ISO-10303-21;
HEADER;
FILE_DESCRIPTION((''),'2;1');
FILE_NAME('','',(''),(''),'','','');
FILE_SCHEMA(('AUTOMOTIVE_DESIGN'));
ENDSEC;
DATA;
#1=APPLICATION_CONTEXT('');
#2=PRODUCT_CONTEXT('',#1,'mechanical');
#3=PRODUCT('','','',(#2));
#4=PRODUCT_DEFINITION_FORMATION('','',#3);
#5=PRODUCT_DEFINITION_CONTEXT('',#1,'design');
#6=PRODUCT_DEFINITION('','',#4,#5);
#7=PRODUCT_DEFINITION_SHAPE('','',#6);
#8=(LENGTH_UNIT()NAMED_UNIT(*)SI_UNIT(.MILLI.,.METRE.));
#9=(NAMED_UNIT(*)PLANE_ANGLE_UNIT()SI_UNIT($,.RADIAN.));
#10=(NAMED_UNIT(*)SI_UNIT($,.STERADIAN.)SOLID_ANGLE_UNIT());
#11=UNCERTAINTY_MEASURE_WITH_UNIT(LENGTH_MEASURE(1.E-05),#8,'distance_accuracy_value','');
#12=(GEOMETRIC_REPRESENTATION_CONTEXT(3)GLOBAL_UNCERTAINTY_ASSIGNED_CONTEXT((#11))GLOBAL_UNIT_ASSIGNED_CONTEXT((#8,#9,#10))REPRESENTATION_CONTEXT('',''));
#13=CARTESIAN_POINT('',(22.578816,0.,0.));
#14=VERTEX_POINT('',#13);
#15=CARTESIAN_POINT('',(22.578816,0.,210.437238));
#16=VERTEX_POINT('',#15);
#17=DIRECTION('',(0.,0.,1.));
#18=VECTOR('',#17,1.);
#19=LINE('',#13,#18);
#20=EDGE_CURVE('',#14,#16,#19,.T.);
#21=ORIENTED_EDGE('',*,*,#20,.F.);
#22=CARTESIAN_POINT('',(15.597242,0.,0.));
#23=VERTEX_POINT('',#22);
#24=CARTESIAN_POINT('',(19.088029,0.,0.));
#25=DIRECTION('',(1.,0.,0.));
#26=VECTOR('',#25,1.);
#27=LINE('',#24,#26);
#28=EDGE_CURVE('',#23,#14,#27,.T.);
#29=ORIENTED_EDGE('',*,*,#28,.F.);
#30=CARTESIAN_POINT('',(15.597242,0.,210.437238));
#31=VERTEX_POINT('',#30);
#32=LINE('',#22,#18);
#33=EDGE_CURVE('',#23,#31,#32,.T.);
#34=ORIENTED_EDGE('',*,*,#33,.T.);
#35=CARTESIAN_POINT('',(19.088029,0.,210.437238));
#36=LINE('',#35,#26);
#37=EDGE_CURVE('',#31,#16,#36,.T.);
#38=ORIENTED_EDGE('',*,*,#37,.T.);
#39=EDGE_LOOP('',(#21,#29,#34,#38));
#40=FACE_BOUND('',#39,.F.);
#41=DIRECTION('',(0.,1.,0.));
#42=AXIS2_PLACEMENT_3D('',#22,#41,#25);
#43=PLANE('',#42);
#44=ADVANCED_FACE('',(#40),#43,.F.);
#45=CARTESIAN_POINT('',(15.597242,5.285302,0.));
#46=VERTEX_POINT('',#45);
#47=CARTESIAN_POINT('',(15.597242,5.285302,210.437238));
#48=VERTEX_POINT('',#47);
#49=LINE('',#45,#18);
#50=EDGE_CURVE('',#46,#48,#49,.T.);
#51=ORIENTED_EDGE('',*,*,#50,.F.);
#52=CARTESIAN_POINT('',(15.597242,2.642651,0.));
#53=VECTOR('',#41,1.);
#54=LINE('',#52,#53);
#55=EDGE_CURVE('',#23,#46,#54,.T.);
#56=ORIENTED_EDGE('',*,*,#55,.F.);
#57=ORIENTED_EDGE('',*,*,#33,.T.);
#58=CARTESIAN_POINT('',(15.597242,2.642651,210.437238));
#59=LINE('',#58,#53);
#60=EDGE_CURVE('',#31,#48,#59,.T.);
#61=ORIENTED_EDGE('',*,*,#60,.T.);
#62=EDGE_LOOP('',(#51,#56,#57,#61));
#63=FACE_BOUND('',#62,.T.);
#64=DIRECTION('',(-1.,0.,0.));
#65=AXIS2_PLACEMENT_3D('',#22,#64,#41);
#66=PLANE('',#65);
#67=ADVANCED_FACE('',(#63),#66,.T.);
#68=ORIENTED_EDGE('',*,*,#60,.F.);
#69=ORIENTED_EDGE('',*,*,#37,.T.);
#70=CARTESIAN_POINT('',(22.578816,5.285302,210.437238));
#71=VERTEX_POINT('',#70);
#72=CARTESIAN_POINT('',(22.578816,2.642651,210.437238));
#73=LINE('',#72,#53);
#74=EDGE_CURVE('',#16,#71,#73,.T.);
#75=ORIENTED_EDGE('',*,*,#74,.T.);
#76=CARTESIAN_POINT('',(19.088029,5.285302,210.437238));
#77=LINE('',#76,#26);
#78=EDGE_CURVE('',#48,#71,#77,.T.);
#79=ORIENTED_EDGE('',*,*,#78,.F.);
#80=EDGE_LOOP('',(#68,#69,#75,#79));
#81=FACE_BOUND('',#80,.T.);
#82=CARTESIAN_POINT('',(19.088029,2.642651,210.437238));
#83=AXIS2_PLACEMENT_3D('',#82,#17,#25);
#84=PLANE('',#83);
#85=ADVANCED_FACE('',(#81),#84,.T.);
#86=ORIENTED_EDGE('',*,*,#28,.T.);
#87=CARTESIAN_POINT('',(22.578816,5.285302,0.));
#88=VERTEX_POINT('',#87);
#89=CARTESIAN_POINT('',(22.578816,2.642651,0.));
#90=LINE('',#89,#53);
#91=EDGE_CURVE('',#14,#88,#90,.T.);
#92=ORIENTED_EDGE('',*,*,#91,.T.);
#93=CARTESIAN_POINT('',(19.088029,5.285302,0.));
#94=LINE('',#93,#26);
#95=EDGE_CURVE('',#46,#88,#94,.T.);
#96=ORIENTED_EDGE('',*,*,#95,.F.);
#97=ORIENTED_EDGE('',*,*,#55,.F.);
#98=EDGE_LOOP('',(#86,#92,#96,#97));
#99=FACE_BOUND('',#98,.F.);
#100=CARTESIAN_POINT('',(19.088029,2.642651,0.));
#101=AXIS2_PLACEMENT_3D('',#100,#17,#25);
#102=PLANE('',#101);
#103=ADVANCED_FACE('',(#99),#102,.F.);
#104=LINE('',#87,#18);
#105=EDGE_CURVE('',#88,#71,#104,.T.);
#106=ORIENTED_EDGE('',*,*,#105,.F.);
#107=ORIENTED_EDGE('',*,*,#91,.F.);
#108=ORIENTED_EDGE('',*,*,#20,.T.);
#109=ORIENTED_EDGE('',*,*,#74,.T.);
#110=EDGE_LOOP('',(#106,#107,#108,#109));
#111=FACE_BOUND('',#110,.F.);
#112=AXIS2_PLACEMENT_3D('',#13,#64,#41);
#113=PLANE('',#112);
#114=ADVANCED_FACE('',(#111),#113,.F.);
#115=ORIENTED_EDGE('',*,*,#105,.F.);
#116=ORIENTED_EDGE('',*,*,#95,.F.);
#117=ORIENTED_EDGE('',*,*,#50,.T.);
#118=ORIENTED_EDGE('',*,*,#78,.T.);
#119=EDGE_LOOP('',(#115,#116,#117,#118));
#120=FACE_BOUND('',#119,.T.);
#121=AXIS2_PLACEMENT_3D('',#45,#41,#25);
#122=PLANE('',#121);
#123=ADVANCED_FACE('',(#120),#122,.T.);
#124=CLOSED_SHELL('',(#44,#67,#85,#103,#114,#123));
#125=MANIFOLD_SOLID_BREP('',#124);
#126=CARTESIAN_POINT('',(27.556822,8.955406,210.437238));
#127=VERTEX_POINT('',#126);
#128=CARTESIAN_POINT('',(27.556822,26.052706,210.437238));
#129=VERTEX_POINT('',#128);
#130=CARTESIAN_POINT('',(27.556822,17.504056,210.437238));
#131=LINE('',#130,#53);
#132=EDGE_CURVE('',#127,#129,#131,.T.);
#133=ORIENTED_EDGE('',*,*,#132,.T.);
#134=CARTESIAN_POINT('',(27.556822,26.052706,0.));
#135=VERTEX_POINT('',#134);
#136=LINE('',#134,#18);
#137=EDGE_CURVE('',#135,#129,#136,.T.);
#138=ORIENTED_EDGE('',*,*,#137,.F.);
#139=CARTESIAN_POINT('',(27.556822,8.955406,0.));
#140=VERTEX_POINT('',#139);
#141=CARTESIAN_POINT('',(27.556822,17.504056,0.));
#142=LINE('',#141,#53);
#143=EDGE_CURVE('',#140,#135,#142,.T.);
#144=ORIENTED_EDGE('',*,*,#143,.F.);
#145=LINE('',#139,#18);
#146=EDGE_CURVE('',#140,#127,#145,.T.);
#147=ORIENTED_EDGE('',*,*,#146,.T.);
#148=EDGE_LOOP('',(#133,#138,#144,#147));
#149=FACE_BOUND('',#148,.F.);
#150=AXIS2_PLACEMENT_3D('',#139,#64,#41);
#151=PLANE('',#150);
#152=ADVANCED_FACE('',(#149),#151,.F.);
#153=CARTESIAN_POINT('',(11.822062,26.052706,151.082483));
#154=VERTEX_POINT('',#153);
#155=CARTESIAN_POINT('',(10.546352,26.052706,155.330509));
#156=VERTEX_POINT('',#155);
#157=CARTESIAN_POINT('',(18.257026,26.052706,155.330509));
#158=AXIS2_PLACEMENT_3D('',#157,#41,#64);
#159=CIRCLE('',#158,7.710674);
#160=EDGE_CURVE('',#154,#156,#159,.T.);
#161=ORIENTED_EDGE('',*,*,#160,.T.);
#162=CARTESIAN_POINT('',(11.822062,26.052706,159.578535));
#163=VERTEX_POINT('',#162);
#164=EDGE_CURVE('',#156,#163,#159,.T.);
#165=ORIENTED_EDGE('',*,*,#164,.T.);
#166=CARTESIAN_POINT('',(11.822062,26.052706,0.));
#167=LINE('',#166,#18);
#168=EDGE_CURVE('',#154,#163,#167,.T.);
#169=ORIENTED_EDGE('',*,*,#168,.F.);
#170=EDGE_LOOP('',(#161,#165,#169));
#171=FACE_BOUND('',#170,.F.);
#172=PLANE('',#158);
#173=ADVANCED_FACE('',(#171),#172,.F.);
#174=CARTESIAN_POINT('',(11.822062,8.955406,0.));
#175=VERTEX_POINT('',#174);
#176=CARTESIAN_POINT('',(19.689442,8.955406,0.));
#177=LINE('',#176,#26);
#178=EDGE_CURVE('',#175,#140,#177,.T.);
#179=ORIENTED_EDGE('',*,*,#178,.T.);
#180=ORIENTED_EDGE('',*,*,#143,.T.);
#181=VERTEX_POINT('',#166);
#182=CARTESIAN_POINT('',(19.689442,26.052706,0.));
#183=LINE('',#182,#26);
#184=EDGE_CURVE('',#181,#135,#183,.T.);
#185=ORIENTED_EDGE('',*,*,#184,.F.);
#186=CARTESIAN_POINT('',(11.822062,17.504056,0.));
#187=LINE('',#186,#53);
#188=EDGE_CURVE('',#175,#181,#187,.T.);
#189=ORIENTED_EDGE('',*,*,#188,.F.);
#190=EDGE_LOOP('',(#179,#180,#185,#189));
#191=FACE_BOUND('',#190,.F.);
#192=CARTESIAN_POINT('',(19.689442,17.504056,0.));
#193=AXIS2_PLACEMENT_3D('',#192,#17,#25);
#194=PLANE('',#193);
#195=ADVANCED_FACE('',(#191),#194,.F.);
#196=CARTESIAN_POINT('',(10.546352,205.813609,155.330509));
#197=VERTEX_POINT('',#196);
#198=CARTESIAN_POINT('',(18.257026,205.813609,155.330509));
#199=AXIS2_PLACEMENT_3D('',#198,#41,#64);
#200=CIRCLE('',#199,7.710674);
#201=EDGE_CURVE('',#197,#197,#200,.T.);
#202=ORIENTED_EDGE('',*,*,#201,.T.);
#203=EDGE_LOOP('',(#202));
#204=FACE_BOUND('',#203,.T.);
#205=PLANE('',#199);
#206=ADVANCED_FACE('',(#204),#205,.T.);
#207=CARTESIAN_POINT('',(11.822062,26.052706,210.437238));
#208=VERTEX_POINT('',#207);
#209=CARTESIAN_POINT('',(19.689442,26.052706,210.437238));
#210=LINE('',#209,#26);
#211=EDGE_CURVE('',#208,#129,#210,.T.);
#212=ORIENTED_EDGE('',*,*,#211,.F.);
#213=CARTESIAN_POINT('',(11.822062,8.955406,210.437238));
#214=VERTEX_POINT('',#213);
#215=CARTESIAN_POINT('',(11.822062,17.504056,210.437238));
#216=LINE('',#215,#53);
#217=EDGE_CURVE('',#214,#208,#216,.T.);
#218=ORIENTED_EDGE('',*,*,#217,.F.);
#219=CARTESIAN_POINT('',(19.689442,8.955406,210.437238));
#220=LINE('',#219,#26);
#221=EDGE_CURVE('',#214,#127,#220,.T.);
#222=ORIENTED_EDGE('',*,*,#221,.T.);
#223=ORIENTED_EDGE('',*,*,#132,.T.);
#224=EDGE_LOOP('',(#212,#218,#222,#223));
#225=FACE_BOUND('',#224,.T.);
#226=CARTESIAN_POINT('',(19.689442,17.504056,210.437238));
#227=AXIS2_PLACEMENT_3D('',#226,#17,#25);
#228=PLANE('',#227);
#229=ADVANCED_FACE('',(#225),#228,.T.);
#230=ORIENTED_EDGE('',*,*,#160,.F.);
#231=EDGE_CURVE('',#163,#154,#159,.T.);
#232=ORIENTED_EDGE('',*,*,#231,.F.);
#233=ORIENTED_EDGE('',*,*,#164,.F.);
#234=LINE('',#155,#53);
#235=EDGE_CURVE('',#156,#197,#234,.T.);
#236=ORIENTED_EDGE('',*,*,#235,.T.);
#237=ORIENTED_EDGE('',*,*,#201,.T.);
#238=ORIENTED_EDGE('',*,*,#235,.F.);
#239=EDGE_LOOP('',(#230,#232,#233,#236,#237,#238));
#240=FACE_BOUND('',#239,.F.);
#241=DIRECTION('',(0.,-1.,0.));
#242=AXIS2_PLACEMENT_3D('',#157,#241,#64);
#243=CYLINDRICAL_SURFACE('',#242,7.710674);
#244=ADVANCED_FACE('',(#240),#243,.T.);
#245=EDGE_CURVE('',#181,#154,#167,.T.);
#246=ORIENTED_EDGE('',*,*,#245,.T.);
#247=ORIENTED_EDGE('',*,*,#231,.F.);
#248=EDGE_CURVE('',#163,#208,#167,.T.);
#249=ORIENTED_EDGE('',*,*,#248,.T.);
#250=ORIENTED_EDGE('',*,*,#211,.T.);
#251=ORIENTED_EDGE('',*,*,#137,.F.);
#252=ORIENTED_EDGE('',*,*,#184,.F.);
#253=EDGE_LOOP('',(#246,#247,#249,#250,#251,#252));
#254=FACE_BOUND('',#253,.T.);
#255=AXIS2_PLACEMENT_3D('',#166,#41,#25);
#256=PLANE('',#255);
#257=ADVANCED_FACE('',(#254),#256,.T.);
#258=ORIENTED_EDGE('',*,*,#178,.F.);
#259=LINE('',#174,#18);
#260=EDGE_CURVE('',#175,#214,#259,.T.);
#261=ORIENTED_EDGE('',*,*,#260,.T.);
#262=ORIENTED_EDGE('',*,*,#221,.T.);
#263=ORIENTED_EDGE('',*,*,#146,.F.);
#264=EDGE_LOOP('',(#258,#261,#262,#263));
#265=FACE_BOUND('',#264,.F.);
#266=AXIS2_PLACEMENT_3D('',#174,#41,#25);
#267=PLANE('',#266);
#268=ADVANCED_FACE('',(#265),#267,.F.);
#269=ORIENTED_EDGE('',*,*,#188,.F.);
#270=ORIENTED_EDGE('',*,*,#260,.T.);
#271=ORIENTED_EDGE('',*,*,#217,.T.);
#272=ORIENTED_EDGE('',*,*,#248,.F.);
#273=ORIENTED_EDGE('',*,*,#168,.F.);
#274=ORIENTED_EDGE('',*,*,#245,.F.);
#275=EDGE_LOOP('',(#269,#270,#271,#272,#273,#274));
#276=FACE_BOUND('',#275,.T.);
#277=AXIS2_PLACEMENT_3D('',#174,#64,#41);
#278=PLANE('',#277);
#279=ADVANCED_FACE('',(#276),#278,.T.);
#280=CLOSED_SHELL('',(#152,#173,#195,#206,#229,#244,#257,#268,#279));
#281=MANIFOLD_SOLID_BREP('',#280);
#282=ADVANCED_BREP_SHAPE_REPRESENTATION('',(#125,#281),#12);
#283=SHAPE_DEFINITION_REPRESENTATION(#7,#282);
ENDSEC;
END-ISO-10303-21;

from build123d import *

# Parameters (mm, degrees)
F0_W     = 15.734761
F0_H     = 17.0973
F0_W_2   = 6.981575
F0_H_2   = 5.285302
F1_DEPTH = 210.437238
F2_R     = 7.710674
F3_DEPTH = 179.760903


with BuildPart() as f1:
    # F0 (on Top) → F1 (new body)
    with BuildSketch(Plane.XY):
        with Locations((19.689442, 17.504056)):
            Rectangle(F0_W, F0_H)
        with Locations((19.088029, 2.642651)):
            Rectangle(F0_W_2, F0_H_2)
    extrude(amount=F1_DEPTH)

    # F2 (on face) → F3 (join)
    with BuildSketch(Plane(origin=(0, 26.052706, 0), x_dir=(-1, 0, 0), z_dir=(0, 1, 0))):
        with Locations((-18.257026, 155.330509)):
            Circle(F2_R)
    extrude(amount=F3_DEPTH)


solid = f1.part
